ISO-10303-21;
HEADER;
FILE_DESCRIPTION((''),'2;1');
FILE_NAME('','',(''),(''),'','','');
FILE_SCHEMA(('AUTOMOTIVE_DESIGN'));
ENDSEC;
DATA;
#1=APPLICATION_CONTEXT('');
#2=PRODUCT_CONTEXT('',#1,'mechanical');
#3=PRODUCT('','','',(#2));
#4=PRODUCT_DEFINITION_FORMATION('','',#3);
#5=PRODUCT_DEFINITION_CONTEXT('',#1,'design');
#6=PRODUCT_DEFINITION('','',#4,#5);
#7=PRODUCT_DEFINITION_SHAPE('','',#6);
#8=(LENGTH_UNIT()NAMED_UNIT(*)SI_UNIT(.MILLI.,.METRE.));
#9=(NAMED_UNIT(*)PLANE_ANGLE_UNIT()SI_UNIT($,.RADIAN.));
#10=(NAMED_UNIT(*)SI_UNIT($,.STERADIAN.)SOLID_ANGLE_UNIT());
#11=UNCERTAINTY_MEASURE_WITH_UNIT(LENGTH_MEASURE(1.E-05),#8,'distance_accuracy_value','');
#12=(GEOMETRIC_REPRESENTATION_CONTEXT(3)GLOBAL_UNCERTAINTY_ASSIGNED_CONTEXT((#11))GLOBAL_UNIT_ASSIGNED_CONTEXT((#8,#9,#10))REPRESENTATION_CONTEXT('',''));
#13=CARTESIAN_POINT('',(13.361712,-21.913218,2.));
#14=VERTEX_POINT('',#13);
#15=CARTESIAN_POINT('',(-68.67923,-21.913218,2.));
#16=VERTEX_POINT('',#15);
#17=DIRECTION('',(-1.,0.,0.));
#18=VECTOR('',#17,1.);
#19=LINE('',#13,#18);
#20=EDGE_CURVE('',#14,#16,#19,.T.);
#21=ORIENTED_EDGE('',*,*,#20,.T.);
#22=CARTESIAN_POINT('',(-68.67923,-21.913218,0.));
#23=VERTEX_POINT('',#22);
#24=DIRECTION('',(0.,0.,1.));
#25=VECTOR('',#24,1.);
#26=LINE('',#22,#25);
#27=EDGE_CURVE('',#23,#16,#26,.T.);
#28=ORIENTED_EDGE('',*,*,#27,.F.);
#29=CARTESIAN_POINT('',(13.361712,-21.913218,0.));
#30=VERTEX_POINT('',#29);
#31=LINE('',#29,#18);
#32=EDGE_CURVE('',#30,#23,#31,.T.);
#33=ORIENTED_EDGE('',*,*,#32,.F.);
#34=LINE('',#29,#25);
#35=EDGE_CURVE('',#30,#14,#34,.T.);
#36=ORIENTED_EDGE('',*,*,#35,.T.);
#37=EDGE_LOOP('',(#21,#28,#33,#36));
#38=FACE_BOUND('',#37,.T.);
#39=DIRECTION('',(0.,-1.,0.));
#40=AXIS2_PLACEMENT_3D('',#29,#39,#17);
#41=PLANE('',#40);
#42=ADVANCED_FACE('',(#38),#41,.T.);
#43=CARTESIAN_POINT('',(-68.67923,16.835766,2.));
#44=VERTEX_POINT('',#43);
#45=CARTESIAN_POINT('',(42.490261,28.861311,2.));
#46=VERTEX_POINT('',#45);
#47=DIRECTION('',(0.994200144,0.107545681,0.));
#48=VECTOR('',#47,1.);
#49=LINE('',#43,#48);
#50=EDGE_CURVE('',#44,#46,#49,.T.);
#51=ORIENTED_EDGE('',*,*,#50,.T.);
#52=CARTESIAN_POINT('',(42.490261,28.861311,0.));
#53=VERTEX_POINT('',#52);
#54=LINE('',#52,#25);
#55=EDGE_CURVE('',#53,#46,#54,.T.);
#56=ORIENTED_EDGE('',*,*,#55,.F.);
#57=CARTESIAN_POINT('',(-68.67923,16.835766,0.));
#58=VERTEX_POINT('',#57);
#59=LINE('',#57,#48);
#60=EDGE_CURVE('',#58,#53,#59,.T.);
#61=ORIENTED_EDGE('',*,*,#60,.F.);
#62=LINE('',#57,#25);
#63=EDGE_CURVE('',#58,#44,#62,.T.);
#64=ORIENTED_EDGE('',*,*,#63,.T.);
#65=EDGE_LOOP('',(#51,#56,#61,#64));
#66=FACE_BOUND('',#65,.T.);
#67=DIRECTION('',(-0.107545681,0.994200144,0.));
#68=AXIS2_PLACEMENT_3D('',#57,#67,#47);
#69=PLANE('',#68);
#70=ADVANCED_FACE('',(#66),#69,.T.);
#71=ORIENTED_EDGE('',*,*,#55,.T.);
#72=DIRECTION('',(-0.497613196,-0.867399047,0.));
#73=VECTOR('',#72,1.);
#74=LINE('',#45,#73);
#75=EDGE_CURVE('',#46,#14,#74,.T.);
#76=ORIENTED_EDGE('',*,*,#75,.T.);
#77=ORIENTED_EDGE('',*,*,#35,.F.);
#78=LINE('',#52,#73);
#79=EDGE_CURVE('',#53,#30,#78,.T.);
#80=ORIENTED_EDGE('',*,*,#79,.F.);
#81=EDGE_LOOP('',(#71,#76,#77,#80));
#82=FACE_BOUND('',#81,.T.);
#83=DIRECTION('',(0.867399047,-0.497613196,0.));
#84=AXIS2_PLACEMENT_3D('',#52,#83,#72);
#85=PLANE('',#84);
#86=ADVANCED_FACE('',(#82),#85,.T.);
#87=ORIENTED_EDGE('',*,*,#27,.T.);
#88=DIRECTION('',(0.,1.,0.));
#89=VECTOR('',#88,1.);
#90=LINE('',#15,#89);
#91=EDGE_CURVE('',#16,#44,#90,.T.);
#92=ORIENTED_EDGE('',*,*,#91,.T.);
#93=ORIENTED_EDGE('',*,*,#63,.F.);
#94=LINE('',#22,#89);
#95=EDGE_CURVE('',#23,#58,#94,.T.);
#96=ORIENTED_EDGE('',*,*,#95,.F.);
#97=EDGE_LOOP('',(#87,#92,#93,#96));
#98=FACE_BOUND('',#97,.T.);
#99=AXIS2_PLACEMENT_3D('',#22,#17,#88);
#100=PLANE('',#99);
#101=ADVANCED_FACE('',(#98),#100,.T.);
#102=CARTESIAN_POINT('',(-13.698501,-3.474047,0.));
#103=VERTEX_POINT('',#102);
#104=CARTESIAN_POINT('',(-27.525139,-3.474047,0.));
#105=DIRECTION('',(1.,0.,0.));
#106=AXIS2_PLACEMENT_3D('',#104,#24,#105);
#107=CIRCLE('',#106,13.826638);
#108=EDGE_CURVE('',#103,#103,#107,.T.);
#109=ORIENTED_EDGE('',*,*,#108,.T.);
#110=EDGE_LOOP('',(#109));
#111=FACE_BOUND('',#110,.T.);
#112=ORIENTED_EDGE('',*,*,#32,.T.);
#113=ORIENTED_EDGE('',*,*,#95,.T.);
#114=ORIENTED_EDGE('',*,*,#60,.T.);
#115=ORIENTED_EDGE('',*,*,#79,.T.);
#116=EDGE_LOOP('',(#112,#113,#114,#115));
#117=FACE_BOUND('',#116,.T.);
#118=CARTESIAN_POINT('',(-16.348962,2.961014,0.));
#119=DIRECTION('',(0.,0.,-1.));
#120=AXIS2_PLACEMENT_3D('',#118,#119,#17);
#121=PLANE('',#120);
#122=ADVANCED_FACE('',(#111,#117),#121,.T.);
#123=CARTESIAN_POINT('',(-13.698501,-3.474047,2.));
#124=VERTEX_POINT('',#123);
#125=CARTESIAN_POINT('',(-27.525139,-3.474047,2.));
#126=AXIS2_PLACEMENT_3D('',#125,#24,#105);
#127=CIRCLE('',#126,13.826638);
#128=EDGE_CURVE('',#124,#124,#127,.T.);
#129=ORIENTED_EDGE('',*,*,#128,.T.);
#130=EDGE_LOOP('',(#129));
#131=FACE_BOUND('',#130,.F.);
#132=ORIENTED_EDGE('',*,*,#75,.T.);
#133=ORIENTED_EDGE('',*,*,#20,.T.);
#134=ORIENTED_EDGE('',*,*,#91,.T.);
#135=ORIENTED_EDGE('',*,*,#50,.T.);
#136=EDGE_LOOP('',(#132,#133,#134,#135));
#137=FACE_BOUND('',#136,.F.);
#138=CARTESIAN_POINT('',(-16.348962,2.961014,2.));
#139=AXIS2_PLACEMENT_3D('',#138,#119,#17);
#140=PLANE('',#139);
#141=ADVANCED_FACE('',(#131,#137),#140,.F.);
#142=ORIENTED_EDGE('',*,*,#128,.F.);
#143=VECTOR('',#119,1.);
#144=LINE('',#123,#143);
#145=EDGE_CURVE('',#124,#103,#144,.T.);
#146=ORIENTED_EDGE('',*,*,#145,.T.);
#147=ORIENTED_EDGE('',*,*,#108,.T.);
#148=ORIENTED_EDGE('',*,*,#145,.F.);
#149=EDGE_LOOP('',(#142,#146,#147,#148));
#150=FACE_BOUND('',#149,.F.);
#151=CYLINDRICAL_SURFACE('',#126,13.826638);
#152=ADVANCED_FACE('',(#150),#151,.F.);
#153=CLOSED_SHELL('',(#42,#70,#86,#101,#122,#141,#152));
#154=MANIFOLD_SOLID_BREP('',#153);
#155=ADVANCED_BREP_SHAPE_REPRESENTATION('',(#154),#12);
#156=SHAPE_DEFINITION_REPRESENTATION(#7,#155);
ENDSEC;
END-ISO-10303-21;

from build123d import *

# Parameters (mm, degrees)
PAD_DEPTH    = 2
SKETCH001_R  = 13.826638
POCKET_DEPTH = 2.001


with BuildPart() as part:
    # Sketch → Pad (new body)
    with BuildSketch(Plane.XY):
        Polygon((-68.67923, 16.835766), (42.490261, 28.861311), (13.361712, -21.913218), (-68.67923, -21.913218), align=None)
    extrude(amount=PAD_DEPTH)

    # Sketch001 → Pocket (cut, through all)
    with BuildSketch(Plane.XY.offset(2)):
        with Locations((-27.525139, -3.474047)):
            Circle(SKETCH001_R)
    extrude(amount=-POCKET_DEPTH, mode=Mode.SUBTRACT)


solid = part.part
